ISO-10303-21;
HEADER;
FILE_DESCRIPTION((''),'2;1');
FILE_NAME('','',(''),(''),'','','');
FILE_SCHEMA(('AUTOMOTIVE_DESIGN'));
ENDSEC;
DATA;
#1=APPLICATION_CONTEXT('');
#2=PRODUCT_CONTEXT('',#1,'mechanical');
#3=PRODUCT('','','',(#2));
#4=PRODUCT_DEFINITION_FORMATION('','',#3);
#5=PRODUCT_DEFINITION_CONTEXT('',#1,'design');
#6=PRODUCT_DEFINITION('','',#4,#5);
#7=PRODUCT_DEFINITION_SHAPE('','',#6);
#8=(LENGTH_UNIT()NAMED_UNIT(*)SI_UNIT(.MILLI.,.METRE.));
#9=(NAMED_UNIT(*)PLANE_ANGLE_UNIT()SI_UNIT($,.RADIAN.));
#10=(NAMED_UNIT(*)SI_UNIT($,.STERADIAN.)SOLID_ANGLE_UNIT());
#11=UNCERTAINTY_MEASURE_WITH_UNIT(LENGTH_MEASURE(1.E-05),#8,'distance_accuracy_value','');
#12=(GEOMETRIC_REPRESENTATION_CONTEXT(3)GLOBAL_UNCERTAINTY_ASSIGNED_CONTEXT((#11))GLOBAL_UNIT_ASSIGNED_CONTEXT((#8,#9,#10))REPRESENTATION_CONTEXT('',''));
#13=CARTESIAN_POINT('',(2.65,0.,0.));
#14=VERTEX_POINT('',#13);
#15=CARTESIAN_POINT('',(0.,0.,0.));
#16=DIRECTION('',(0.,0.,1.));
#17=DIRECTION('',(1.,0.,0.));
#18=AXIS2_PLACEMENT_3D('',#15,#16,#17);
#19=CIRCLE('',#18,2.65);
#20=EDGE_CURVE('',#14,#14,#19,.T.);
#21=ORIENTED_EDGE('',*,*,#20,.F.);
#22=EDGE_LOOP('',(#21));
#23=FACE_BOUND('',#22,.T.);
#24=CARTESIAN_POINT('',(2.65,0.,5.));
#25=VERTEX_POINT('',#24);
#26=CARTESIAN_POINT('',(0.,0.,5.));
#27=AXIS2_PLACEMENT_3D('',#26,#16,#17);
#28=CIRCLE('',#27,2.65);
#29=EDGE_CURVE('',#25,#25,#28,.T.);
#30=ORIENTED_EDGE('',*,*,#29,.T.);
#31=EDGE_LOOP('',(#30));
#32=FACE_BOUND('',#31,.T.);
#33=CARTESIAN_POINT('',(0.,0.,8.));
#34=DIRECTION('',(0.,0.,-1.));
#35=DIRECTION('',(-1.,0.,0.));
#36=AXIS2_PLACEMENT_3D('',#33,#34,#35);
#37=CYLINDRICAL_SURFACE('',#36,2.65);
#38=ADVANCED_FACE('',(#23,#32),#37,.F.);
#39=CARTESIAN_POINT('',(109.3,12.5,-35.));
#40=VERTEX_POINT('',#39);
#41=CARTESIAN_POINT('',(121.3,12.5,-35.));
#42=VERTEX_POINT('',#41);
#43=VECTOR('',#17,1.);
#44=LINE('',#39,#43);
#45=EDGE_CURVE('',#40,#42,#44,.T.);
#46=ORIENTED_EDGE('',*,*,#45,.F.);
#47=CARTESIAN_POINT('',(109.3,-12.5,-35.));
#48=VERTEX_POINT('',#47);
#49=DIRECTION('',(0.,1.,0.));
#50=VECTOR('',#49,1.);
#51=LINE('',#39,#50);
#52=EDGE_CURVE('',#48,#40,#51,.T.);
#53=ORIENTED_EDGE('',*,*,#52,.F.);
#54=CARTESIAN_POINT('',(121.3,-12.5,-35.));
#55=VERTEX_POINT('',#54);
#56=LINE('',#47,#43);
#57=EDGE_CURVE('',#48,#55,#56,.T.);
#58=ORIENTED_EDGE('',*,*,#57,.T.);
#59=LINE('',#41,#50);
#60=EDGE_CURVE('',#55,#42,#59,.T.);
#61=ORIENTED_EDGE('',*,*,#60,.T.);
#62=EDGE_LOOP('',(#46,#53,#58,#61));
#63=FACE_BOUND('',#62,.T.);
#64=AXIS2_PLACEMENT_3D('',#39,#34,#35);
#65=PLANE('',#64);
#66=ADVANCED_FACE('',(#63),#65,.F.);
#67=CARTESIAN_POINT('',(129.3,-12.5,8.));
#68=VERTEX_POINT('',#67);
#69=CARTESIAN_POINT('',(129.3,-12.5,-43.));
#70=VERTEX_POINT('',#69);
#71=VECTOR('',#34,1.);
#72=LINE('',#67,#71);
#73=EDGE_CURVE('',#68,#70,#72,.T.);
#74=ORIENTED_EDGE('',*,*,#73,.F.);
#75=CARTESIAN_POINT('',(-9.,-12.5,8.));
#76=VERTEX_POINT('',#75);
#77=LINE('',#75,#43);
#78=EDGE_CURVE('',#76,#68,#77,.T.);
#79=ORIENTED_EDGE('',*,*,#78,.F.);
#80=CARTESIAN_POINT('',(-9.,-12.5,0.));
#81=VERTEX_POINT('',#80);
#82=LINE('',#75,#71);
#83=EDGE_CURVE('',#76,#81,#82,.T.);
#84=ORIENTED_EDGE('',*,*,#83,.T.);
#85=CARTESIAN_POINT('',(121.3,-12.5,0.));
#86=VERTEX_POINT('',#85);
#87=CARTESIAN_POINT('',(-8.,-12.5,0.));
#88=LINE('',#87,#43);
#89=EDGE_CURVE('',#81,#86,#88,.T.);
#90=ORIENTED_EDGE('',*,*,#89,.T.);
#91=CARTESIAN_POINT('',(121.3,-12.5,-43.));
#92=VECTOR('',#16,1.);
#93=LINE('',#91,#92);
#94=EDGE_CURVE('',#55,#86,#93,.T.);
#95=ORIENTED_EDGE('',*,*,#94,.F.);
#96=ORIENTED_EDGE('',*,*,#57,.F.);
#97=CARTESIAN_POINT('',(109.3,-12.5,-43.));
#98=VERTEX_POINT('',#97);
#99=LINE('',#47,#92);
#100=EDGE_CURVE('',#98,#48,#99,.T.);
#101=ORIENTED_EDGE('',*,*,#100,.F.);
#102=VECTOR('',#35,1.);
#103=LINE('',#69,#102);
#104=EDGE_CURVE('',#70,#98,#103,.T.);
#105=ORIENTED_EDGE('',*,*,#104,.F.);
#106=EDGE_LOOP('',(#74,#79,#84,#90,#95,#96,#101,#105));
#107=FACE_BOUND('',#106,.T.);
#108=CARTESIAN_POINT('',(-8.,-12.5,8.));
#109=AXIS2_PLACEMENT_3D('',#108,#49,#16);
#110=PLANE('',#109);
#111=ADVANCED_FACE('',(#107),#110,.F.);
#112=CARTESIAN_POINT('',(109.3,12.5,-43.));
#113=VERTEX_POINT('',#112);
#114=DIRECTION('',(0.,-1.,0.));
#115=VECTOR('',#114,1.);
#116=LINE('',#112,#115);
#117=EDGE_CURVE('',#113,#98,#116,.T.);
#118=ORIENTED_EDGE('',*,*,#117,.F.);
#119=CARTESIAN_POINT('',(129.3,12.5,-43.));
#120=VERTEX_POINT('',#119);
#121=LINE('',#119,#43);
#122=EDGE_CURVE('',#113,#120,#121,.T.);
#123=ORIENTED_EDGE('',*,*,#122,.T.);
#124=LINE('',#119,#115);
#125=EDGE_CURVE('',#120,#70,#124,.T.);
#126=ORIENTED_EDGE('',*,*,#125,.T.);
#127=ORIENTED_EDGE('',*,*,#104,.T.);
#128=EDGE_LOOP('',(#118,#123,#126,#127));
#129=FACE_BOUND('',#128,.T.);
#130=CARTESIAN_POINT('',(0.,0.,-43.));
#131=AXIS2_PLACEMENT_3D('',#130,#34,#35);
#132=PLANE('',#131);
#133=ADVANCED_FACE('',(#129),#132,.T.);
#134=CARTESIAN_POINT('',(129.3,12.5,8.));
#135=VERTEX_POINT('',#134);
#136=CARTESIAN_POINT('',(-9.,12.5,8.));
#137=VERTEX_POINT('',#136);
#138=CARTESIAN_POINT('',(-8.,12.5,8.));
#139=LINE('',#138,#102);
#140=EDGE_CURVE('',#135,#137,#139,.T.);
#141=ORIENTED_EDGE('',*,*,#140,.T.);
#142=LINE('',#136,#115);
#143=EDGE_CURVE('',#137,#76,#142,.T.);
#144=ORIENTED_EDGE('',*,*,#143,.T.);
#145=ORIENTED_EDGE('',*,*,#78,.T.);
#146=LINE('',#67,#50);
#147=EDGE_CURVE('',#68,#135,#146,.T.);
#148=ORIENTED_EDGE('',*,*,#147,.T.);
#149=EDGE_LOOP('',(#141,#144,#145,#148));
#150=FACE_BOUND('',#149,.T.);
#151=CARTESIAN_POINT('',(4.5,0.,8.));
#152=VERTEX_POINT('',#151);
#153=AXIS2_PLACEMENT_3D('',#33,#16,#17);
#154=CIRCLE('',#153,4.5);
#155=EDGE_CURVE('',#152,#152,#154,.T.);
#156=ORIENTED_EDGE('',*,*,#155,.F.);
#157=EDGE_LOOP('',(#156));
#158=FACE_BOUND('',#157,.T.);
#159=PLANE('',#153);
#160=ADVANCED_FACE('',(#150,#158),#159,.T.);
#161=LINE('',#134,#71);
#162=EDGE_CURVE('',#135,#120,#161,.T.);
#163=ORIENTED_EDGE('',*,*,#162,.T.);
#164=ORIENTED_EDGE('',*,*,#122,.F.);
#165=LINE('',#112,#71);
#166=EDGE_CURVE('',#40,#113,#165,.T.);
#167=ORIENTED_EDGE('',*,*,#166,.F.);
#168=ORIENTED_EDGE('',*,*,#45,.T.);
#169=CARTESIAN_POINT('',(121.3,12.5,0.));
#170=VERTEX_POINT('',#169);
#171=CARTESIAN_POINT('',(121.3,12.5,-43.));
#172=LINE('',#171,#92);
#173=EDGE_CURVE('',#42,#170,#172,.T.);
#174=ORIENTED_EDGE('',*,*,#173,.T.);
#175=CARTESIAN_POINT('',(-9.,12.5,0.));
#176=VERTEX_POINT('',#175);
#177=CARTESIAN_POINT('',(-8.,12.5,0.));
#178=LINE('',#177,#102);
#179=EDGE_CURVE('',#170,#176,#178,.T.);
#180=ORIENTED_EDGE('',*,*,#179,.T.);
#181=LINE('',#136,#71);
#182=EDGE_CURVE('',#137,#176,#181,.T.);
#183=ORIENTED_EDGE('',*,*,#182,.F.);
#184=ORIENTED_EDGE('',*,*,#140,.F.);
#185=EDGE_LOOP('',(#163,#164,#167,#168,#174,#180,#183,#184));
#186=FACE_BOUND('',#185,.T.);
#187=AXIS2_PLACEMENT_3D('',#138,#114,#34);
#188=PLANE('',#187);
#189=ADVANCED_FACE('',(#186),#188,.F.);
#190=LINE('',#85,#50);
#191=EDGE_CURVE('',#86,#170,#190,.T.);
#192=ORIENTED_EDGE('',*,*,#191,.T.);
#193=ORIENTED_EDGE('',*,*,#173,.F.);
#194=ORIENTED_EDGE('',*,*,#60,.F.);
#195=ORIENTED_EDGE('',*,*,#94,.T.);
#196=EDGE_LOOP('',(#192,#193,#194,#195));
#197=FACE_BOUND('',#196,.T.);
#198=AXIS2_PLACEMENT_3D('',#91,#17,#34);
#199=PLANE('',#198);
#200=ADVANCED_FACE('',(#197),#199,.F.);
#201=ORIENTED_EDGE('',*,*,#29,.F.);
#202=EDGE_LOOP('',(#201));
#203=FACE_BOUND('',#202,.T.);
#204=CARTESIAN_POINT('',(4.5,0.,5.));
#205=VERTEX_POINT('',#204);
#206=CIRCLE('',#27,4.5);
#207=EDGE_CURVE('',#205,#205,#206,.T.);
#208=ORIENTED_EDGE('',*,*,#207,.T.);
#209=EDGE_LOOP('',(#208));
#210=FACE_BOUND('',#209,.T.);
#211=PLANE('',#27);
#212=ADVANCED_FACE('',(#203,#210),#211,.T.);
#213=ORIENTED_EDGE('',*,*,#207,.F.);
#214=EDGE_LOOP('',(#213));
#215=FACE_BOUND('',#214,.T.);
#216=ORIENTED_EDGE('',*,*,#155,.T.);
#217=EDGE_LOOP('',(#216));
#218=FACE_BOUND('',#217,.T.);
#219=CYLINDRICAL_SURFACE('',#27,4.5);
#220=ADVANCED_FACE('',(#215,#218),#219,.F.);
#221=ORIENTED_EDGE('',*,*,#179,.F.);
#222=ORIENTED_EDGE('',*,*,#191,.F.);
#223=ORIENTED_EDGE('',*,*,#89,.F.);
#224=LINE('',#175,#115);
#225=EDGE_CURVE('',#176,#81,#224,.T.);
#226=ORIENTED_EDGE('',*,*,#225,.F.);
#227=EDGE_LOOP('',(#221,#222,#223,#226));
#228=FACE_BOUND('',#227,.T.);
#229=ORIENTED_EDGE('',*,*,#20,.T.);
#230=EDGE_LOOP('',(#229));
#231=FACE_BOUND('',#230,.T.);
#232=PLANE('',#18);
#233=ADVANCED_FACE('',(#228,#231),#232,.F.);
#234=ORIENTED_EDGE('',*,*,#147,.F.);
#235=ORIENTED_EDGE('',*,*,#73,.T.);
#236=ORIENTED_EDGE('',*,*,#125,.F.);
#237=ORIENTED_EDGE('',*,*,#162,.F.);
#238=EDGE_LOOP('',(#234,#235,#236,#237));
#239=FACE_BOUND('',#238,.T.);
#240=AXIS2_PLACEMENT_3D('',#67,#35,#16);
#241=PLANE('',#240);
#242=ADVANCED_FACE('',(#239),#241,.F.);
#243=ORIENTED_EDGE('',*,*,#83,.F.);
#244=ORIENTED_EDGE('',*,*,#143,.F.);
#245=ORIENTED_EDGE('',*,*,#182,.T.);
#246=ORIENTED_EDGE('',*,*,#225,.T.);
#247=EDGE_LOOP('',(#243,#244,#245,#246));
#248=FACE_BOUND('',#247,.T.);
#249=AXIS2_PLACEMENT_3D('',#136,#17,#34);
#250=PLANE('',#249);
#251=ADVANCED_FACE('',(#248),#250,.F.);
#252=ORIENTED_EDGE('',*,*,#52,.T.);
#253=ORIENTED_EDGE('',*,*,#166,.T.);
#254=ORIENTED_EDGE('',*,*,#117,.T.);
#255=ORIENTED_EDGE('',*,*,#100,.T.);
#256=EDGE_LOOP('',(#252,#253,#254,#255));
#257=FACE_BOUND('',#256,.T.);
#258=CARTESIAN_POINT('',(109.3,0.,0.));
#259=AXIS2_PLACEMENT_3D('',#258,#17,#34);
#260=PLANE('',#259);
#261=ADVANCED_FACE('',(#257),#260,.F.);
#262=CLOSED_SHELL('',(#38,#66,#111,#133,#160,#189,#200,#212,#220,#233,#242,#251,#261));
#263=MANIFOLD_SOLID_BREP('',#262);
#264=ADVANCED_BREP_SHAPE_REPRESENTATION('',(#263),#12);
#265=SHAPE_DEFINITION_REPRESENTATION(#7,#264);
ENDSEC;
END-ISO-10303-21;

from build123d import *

# Parameters (mm, degrees)
SKETCH_1_R          = 2.65
EXTRUDE_1_DEPTH     = 8
SKETCH_7_W          = 8
SKETCH_7_H          = 25
EXTRUDE_2_DEPTH     = 43
SKETCH_8_W          = 8
SKETCH_8_H          = 25
EXTRUDE_3_DEPTH     = 12
SKETCH_9_R          = 4.5
CUT_EXTRUDE_1_DEPTH = 3


with BuildPart() as part:
    # 草图1 → 凸台-拉伸1 (new body)
    with BuildSketch(Plane.XY):
        Polygon((-8, 12.5), (129.3, 12.5), (129.3, -12.5), (-8, -12.5), (-9, -12.5), (-9, 12.5), align=None)
        Circle(SKETCH_1_R, mode=Mode.SUBTRACT)
    extrude(amount=EXTRUDE_1_DEPTH)

    # 草图7 → 凸台-拉伸2 (add)
    with BuildSketch(Plane(origin=(0, 0, 0), x_dir=(-1, 0, 0), z_dir=(0, 0, -1))):
        with Locations((-125.3, 0)):
            Rectangle(SKETCH_7_W, SKETCH_7_H)
    extrude(amount=EXTRUDE_2_DEPTH)

    # 草图8 → 凸台-拉伸3 (add)
    with BuildSketch(Plane.ZY.offset(-121.3)):
        with Locations((-39, 0)):
            Rectangle(SKETCH_8_W, SKETCH_8_H)
    extrude(amount=EXTRUDE_3_DEPTH)

    # 草图9 → 切除-拉伸1 (cut)
    with BuildSketch(Plane.XY.offset(8)):
        Circle(SKETCH_9_R)
    extrude(amount=-CUT_EXTRUDE_1_DEPTH, mode=Mode.SUBTRACT)


solid = part.part
